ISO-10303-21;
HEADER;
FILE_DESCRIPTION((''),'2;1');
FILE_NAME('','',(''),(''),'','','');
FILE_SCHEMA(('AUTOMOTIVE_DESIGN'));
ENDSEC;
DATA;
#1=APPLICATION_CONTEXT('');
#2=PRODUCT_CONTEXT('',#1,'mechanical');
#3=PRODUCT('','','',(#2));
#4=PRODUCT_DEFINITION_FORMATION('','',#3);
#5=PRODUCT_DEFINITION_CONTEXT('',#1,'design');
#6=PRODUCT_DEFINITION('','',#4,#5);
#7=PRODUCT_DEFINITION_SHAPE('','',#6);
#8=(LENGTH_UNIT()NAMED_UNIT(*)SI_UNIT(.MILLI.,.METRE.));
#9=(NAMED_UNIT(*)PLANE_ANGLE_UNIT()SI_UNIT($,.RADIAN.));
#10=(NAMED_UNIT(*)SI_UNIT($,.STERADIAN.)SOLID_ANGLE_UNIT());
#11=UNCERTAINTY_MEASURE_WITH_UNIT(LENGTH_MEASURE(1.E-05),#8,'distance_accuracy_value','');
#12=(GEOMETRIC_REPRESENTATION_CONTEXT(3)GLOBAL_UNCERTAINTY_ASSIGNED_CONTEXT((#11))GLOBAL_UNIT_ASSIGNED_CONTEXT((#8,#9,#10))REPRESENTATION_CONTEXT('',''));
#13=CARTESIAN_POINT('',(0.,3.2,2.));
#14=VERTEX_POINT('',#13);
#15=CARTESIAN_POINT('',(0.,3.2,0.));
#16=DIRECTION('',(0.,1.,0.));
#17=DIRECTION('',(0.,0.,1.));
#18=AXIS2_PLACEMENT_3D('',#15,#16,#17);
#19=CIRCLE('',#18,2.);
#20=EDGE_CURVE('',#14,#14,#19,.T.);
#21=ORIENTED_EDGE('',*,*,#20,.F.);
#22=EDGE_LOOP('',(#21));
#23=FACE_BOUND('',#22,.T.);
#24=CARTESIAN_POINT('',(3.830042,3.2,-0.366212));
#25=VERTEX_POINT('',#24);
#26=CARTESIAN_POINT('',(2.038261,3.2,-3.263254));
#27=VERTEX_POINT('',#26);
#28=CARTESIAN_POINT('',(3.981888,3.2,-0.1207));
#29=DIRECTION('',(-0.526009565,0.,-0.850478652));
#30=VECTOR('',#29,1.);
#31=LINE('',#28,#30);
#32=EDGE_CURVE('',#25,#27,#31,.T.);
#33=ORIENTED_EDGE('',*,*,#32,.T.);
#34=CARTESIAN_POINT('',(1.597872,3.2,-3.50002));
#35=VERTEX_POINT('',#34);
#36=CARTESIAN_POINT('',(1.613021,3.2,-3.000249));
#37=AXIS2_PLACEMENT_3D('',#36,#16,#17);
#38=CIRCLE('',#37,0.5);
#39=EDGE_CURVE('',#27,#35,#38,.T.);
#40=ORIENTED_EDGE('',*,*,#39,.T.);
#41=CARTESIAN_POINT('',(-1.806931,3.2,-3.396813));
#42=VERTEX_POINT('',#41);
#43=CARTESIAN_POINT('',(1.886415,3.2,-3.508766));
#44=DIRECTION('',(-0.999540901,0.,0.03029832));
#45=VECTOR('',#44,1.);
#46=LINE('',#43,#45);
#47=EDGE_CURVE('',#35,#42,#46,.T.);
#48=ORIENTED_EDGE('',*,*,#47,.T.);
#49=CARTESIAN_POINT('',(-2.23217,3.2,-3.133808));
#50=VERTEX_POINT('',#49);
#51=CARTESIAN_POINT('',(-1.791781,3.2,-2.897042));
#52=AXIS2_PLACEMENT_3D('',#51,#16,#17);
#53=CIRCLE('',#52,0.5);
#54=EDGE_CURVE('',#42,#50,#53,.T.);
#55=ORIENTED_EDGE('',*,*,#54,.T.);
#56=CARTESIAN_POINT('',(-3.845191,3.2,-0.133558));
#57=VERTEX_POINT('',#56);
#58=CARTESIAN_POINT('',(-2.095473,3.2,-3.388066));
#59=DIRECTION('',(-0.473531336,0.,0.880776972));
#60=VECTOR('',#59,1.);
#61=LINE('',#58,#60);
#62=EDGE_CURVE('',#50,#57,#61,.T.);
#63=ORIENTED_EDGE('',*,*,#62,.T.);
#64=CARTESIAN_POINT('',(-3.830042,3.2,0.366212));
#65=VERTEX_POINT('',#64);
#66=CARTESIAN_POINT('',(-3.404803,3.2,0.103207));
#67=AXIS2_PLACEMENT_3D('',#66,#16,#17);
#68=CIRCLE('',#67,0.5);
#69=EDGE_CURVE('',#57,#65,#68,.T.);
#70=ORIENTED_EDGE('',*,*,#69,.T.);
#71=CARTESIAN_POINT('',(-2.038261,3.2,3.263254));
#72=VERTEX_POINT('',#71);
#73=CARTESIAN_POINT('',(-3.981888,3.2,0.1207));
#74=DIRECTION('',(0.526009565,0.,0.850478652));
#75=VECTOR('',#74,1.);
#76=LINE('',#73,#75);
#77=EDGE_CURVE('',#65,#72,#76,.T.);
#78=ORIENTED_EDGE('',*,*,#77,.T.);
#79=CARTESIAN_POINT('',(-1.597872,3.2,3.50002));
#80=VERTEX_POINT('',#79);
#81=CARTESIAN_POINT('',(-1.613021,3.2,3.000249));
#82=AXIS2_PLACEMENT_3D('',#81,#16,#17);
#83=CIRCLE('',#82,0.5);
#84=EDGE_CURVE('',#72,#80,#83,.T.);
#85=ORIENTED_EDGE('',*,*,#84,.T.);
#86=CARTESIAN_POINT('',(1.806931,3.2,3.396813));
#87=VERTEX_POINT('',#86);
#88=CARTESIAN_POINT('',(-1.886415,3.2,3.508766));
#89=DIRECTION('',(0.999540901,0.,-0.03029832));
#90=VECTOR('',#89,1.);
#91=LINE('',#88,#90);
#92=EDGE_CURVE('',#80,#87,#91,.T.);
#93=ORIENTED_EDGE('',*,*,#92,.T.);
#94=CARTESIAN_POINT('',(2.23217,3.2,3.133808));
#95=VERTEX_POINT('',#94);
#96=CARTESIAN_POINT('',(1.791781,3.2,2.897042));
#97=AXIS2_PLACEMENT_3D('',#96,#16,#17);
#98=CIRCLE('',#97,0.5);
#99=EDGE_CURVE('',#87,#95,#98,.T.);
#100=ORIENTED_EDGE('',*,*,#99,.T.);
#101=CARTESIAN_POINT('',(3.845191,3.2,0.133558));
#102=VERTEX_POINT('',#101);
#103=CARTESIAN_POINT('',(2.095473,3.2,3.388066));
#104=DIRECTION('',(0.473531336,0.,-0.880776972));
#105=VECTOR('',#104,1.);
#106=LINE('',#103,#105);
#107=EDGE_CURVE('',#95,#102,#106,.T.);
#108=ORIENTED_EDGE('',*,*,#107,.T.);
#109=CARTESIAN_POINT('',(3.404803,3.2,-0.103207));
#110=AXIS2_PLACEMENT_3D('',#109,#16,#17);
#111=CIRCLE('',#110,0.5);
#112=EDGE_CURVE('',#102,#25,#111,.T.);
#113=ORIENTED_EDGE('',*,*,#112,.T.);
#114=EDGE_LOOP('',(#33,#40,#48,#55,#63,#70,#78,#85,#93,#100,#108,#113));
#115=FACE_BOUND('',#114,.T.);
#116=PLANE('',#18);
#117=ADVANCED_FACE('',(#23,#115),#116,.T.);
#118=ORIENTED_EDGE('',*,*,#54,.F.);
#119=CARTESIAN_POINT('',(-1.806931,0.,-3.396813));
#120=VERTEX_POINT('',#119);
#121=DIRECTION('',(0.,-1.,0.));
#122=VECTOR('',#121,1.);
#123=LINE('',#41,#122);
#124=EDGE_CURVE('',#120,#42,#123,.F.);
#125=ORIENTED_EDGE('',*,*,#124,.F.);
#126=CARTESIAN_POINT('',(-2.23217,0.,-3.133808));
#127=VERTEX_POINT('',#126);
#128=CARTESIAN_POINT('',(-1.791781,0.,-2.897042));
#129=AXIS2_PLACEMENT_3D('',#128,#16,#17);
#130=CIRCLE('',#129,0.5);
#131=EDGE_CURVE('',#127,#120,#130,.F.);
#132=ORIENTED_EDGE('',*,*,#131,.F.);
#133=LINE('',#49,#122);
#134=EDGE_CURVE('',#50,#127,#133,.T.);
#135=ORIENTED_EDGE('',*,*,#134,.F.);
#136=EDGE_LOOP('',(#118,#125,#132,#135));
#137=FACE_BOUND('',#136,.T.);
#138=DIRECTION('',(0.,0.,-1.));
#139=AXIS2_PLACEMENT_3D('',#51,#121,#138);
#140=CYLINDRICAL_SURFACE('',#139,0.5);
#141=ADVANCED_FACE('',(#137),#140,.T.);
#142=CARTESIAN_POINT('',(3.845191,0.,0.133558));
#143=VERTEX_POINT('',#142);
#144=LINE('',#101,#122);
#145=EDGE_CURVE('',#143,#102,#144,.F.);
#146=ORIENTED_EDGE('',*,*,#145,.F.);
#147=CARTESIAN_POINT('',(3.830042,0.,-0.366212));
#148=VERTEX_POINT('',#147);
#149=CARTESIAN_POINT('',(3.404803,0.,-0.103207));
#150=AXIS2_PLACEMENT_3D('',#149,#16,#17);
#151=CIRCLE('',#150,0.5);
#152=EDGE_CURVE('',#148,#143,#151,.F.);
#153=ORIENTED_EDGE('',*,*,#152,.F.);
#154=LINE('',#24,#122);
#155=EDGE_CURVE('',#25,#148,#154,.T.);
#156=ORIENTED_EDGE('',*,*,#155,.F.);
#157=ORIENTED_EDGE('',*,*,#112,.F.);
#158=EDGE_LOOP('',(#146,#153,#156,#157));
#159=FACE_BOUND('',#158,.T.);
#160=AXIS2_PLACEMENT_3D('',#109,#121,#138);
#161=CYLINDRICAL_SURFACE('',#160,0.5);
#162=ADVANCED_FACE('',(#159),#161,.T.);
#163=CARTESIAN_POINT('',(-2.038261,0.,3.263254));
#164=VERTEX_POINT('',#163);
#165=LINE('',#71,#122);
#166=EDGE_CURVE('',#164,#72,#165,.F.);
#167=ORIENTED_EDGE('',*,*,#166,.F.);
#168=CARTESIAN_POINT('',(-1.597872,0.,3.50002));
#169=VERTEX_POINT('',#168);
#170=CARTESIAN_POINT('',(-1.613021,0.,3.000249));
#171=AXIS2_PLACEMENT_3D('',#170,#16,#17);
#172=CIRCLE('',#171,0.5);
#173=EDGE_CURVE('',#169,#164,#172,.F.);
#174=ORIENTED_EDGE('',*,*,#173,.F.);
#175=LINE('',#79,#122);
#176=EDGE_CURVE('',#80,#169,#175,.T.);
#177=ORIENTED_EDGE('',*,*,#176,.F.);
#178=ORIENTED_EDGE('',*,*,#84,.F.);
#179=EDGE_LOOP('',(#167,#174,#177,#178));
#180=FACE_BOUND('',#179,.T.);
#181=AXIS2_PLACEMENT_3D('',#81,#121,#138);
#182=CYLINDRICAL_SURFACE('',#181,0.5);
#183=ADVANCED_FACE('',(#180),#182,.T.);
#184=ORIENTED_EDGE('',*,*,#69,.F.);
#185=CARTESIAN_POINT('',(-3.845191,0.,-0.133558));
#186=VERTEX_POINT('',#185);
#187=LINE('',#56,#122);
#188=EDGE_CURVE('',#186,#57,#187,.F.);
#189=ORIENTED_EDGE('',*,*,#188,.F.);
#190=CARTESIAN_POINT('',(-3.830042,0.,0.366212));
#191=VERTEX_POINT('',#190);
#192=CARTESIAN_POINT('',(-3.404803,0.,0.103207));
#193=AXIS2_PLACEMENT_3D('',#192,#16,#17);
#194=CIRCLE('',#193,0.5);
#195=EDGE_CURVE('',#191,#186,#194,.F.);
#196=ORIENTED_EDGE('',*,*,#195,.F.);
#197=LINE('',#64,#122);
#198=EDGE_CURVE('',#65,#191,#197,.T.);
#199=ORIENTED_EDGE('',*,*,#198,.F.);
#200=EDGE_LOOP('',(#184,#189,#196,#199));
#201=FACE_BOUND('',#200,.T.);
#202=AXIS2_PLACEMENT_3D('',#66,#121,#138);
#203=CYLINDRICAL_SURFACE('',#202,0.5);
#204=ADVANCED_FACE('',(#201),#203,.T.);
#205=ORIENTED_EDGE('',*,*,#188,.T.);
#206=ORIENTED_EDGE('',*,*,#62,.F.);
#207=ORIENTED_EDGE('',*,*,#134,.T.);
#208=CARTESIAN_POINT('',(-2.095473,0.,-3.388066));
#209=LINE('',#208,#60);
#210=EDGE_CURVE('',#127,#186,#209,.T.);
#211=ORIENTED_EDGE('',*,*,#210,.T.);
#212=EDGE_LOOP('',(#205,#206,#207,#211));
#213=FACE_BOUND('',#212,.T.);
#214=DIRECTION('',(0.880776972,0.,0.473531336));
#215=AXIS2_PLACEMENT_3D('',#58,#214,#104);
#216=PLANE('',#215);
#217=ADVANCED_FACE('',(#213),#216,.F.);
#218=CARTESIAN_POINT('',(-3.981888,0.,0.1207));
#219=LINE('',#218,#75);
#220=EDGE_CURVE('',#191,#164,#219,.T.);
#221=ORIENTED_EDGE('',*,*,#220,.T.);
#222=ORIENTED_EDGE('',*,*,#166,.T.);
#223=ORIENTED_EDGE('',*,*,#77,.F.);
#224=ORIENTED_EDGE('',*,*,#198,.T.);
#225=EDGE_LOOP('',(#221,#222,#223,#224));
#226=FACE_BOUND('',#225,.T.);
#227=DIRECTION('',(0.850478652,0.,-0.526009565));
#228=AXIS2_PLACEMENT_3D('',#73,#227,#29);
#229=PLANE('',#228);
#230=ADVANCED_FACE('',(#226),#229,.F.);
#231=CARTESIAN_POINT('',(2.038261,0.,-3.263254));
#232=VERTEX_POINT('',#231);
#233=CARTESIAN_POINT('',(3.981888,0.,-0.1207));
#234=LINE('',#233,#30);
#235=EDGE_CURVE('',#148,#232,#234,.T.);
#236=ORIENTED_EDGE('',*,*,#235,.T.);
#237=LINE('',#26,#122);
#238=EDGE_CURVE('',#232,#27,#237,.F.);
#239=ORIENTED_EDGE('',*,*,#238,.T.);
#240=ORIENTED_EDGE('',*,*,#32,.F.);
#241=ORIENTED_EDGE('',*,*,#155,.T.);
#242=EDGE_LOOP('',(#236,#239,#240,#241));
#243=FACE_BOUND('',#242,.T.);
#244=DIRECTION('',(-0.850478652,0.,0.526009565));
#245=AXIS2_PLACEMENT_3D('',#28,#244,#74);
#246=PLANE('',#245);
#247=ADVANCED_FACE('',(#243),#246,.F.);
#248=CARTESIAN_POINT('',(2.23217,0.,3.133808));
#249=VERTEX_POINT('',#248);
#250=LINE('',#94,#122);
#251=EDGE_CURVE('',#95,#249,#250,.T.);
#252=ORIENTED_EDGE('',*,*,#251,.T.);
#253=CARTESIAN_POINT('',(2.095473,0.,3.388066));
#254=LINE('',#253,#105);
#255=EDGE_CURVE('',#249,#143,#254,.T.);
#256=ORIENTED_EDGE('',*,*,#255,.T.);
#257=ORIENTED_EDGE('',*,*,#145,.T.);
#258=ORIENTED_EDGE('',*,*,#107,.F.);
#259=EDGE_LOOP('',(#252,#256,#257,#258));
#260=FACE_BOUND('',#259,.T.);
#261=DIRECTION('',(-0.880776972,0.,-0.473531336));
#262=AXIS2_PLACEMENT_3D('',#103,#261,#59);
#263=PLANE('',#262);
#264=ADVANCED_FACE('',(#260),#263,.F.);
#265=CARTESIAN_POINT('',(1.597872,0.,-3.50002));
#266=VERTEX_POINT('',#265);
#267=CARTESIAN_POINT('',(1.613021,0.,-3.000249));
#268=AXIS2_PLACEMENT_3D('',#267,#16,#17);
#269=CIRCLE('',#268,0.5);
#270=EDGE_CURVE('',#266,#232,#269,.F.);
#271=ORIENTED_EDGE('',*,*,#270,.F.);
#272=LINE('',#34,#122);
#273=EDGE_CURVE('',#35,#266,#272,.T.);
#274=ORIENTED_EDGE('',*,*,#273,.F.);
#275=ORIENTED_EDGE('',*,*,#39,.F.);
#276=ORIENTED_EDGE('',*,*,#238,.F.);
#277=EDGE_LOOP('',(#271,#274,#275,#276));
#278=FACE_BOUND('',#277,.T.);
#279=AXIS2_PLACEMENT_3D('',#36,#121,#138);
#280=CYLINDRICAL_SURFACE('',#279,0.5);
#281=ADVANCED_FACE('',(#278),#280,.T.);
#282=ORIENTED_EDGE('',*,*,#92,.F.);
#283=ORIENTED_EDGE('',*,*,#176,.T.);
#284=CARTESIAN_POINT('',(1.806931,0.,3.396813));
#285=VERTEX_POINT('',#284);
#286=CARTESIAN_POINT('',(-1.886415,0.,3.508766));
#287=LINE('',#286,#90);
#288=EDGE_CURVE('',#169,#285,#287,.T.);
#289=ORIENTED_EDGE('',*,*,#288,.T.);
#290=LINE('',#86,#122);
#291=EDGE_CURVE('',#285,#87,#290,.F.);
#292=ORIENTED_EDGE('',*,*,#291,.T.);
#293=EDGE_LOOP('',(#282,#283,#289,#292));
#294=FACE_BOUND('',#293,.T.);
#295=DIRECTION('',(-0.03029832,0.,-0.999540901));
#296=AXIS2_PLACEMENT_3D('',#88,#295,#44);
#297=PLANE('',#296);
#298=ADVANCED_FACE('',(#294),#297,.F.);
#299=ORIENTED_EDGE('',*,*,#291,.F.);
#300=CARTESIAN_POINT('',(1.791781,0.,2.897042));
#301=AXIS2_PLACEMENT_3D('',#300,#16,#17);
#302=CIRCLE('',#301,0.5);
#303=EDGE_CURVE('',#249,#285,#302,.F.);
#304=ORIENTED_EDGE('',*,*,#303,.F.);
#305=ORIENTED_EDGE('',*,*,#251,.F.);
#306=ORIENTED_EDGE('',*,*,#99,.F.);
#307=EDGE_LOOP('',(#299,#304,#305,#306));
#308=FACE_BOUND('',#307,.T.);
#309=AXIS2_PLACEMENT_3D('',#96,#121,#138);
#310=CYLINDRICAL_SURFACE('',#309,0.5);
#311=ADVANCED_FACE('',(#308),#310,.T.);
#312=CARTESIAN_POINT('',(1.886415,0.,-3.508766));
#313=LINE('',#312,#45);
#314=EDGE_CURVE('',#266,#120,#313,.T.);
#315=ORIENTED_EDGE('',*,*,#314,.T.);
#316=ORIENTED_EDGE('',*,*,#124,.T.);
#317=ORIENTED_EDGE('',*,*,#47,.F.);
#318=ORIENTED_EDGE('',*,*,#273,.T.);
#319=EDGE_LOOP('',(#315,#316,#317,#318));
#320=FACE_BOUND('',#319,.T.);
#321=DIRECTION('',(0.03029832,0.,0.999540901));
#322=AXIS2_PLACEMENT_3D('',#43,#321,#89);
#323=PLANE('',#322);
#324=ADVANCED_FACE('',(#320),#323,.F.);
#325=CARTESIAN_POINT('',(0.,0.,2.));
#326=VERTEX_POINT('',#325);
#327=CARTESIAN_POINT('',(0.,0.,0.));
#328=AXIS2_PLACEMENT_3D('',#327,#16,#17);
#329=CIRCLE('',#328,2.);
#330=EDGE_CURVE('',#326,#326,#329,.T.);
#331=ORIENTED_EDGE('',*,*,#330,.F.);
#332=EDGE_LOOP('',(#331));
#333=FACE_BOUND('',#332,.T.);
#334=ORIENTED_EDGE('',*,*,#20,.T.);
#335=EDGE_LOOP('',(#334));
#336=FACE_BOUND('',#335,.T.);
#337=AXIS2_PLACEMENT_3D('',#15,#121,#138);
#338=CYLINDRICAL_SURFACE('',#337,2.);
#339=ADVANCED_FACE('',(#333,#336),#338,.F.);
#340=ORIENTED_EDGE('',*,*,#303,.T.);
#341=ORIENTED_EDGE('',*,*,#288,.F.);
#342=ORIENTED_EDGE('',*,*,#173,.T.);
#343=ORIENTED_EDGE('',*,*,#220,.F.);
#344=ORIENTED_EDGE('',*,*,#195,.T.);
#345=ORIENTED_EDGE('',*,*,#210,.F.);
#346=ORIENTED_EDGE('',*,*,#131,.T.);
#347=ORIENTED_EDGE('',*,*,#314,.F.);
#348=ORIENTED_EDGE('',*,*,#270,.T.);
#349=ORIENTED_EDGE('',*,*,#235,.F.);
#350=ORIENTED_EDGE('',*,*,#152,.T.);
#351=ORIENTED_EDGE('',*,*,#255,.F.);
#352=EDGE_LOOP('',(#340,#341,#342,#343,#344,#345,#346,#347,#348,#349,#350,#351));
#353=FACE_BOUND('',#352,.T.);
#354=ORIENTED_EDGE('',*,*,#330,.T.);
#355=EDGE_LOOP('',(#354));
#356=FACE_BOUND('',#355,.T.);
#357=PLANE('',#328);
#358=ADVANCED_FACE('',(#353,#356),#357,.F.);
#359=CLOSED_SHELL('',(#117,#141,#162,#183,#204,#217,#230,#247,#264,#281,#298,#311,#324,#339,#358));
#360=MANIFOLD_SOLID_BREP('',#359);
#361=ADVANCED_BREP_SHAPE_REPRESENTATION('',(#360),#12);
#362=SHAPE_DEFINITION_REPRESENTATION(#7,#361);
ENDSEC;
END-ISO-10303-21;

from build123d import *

# Parameters (mm, degrees)
SKETCH1_R           = 2
BOSS_EXTRUDE1_DEPTH = 3.2
FILLET1_R           = 0.5


with BuildPart() as part:
    # Sketch1 → Boss-Extrude1 (new body)
    with BuildSketch(Plane(origin=(0, 0, 0), x_dir=(1, 0, 0), z_dir=(0, 1, 0))):
        Polygon((2.095473171, -3.388066143), (3.981887935, 0.120699927), (1.886414764, 3.508766071), (-2.095473171, 3.388066143), (-3.981887935, -0.120699927), (-1.886414764, -3.508766071), align=None)
        with Locations(Location((0, 0, 0), (0, 0, 270))):
            Circle(SKETCH1_R, mode=Mode.SUBTRACT)
    extrude(amount=BOSS_EXTRUDE1_DEPTH)

    # Fillet1
    fillet1_edges = [part.edges().sort_by_distance(p)[0] for p in [
        (-1.886414764, 1.6, 3.508766071),
        (-3.981887935, 1.6, 0.120699927),
        (-2.095473171, 1.6, -3.388066143),
        (1.886414764, 1.6, -3.508766071),
        (3.981887935, 1.6, -0.120699927),
        (2.095473171, 1.6, 3.388066143),
    ]]
    fillet(fillet1_edges, radius=FILLET1_R)


solid = part.part
